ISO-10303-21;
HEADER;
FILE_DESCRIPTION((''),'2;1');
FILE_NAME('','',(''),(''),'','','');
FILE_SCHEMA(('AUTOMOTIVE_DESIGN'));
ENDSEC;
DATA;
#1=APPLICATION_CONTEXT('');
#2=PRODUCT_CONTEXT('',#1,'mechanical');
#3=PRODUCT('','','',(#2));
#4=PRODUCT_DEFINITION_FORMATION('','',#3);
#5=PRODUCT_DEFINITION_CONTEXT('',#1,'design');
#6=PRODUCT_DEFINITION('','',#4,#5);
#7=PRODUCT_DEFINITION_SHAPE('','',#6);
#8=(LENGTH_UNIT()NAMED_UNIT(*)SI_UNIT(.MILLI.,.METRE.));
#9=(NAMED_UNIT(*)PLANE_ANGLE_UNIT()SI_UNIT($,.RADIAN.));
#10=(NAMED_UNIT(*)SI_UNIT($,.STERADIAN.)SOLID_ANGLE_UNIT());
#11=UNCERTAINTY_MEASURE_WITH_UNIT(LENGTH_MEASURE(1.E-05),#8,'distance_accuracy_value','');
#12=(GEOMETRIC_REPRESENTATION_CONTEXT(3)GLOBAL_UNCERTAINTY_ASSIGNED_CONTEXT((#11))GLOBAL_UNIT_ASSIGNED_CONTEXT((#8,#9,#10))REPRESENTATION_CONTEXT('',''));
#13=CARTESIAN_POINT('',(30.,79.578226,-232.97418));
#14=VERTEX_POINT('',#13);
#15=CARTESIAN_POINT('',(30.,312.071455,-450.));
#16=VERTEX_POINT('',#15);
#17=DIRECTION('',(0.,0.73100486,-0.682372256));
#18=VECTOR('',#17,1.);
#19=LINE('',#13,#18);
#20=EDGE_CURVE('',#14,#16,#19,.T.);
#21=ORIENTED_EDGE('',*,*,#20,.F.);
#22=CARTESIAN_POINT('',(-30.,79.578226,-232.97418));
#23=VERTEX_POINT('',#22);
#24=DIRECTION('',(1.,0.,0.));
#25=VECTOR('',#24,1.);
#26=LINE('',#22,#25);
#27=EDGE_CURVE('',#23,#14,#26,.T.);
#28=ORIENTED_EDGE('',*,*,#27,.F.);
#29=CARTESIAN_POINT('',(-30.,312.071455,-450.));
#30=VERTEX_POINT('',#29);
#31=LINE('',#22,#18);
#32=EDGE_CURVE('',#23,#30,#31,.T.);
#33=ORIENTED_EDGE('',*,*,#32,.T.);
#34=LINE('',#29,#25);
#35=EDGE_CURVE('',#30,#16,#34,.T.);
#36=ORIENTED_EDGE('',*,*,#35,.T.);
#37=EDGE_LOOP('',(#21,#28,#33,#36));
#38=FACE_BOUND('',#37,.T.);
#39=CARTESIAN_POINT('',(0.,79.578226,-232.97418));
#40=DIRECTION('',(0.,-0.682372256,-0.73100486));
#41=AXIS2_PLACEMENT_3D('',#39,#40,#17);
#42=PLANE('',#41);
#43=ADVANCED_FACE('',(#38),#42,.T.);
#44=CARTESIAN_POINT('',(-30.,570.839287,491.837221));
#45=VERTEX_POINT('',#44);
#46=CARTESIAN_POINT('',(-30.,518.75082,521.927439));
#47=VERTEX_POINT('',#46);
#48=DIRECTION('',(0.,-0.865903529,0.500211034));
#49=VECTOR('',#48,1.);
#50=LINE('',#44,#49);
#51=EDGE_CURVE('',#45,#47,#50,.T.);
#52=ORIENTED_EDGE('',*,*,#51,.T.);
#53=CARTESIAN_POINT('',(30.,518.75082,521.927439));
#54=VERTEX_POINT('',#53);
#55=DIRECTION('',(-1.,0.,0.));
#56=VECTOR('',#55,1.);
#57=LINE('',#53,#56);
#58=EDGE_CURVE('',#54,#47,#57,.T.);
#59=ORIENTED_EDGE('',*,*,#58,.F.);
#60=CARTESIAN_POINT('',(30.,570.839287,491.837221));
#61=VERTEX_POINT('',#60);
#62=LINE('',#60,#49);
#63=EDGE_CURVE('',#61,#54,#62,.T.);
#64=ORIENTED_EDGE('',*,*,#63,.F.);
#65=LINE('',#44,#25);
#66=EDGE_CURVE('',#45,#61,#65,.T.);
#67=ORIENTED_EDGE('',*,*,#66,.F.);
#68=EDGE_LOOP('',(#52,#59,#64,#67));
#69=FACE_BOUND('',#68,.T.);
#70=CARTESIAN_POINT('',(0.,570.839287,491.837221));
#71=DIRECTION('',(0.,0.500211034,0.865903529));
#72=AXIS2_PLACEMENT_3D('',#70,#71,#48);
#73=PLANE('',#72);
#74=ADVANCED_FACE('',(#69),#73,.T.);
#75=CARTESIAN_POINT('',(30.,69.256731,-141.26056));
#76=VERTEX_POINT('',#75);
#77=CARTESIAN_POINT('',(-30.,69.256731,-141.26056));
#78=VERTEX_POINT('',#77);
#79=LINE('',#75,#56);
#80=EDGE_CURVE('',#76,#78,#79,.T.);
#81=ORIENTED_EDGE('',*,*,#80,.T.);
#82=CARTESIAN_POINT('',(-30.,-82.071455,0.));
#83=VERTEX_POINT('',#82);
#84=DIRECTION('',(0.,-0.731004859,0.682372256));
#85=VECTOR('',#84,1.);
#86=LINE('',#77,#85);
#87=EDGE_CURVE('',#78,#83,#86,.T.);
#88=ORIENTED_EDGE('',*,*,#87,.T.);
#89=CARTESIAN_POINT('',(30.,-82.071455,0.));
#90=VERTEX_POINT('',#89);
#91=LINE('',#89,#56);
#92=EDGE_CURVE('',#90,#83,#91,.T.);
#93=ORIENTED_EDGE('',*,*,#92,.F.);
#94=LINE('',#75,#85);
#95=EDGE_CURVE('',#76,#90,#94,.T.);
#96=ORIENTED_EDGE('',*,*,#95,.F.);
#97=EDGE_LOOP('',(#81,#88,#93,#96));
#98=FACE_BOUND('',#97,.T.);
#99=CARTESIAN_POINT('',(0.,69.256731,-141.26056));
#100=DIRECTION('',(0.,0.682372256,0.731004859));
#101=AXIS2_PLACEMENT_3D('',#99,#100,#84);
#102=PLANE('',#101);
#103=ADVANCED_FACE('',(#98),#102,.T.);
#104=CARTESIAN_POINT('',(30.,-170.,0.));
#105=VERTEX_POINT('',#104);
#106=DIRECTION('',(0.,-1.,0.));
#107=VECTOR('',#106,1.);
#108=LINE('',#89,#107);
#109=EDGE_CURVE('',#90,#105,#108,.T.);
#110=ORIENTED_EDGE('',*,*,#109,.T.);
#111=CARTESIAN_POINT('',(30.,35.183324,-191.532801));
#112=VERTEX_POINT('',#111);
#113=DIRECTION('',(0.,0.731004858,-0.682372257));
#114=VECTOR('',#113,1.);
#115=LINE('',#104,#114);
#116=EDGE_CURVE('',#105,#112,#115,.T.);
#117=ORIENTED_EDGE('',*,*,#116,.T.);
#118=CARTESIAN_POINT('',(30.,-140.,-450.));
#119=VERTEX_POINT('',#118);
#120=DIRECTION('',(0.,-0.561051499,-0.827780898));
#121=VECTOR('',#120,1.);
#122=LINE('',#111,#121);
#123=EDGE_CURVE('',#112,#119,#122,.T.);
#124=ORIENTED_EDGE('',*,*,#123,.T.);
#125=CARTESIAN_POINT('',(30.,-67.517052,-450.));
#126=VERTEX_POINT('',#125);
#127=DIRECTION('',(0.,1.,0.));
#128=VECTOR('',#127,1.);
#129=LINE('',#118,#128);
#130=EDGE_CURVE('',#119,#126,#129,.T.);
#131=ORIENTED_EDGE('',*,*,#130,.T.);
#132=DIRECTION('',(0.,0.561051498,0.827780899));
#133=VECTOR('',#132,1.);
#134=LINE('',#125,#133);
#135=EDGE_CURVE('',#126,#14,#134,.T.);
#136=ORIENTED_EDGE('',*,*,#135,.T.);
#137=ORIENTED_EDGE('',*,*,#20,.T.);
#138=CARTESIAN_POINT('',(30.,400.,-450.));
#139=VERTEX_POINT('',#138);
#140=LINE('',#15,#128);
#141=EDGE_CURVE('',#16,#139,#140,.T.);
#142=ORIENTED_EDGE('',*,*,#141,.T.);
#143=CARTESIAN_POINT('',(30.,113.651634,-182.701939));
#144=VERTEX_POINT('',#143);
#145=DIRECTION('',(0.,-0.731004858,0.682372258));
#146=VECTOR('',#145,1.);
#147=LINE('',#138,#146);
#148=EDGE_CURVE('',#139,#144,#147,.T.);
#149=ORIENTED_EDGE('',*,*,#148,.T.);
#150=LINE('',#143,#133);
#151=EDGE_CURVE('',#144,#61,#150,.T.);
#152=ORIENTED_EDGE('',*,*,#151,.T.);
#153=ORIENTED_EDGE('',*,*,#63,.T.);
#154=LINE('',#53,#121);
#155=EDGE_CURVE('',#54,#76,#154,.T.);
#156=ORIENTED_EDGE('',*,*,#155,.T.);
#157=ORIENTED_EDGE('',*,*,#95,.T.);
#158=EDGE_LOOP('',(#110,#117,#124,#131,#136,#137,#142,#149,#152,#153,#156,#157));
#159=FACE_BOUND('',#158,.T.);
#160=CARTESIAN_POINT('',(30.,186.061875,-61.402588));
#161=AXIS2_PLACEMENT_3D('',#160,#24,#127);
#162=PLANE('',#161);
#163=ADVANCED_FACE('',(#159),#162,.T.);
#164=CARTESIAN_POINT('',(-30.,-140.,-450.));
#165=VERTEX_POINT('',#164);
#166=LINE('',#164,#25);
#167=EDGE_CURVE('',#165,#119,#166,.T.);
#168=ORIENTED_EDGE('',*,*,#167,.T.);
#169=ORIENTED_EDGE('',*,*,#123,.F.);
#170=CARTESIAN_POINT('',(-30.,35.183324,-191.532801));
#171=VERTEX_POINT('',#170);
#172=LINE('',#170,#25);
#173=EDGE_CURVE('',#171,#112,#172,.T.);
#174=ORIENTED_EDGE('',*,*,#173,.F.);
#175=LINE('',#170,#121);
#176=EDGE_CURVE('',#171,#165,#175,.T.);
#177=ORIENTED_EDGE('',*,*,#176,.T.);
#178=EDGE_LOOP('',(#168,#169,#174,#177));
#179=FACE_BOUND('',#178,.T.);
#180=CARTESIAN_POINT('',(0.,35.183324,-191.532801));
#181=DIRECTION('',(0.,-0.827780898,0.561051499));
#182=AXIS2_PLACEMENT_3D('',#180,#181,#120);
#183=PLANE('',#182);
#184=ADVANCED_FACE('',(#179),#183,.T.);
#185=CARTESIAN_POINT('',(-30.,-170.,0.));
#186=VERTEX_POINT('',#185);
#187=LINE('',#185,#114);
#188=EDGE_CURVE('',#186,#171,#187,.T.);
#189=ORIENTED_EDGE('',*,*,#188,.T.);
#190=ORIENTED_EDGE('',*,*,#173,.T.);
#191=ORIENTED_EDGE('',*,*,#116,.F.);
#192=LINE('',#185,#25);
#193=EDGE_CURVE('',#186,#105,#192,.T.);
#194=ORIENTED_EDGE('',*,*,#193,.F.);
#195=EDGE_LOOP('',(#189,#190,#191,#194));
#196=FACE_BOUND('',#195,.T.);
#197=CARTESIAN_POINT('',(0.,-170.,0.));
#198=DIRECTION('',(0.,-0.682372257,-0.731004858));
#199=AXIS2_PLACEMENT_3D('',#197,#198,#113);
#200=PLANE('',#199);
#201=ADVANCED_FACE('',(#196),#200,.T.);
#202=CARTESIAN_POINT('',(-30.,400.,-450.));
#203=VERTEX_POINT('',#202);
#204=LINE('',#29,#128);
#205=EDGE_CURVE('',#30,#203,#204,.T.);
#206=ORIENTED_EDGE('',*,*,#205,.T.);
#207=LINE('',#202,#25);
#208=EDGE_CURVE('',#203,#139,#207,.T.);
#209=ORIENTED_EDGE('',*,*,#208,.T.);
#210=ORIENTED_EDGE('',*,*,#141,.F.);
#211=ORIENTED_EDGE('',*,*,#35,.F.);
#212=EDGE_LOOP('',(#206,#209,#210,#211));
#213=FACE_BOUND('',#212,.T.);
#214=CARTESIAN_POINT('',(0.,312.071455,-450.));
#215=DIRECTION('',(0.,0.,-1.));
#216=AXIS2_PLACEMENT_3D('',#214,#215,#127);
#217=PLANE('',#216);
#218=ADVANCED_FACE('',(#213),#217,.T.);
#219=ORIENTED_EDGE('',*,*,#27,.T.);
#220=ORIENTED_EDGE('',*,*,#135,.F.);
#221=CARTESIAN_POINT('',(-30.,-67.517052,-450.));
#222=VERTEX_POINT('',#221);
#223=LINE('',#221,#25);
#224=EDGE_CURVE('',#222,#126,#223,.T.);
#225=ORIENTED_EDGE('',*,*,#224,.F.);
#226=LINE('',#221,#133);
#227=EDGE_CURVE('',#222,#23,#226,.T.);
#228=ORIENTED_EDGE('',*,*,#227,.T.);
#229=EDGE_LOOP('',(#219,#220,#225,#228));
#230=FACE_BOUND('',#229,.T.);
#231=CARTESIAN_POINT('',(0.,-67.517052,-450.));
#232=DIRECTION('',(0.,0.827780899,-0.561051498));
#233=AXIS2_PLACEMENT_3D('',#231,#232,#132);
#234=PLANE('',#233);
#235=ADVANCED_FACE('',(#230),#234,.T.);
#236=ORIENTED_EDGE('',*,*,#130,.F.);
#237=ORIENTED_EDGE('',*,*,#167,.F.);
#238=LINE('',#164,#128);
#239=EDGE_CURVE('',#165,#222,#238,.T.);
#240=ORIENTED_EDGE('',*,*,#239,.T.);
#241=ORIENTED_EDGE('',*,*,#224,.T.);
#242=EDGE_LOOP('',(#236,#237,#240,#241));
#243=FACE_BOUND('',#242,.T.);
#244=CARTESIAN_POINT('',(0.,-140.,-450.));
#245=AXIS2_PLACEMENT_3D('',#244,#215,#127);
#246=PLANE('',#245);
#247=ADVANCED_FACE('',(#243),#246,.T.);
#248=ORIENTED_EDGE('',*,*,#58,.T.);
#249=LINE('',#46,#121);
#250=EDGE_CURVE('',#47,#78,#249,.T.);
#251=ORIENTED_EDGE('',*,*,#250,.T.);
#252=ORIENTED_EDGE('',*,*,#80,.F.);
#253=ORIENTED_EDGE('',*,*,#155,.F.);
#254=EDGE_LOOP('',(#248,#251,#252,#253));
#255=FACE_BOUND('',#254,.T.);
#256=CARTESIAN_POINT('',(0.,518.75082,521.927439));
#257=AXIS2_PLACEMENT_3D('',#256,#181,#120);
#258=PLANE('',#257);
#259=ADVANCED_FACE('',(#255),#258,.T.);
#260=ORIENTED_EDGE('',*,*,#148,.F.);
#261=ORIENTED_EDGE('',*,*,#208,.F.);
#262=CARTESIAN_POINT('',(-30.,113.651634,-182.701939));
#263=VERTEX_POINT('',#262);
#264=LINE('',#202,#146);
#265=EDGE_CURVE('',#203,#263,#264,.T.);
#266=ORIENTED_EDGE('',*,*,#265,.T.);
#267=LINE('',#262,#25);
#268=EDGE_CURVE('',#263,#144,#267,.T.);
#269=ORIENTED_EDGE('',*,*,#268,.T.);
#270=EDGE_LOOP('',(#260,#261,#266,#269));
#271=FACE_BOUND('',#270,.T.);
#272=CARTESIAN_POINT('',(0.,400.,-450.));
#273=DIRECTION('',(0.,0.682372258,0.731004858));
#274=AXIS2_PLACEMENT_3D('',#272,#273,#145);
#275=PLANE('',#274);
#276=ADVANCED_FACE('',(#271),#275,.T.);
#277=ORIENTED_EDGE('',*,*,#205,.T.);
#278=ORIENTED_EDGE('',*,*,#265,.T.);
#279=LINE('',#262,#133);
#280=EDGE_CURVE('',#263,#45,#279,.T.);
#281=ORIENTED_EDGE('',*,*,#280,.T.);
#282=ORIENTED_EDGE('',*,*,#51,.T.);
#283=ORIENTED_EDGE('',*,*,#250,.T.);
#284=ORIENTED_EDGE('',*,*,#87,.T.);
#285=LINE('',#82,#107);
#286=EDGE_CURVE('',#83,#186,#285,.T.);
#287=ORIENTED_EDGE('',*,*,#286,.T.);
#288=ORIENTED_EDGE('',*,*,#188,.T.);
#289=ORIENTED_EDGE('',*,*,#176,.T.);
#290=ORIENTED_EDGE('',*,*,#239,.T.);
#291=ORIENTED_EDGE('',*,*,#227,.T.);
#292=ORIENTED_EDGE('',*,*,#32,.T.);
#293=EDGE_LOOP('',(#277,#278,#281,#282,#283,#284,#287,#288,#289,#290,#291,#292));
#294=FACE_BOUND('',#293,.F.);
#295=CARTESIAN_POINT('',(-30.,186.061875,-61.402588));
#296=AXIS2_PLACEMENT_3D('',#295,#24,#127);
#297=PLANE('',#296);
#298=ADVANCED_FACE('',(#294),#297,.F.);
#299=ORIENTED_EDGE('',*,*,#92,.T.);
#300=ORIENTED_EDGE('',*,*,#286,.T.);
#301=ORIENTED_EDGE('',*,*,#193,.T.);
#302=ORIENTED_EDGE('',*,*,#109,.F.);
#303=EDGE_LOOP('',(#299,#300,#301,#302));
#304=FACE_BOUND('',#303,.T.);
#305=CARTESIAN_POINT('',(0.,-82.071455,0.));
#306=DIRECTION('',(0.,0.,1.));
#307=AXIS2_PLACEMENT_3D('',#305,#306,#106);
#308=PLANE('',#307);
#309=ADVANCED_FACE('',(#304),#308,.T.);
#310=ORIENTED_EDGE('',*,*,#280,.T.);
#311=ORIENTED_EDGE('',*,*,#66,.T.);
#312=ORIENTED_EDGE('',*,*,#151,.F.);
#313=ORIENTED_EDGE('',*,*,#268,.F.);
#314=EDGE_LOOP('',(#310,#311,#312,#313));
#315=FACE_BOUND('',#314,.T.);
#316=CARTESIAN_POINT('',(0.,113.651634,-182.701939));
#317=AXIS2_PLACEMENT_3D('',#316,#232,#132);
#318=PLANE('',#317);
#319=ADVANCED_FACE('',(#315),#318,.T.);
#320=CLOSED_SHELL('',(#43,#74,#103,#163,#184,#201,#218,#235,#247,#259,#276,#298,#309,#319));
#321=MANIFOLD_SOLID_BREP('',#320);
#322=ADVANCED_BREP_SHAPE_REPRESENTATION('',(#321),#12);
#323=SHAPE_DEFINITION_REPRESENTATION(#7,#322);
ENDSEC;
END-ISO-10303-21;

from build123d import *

# Parameters (mm, degrees)
F1_DEPTH = 30


with BuildPart() as f1:
    # F0 (on Right) → F1 (new body, symmetric)
    with BuildSketch(Plane.YZ):
        Polygon((-82.071455, 0), (-170, 0), (35.183324, -191.532801), (-140, -450), (-67.517052, -450), (79.578226, -232.97418), (312.071455, -450), (400, -450), (113.651634, -182.701939), (570.839287, 491.837221), (518.75082, 521.927439), (69.256731, -141.26056), align=None)
    extrude(amount=F1_DEPTH, both=True)


solid = f1.part
